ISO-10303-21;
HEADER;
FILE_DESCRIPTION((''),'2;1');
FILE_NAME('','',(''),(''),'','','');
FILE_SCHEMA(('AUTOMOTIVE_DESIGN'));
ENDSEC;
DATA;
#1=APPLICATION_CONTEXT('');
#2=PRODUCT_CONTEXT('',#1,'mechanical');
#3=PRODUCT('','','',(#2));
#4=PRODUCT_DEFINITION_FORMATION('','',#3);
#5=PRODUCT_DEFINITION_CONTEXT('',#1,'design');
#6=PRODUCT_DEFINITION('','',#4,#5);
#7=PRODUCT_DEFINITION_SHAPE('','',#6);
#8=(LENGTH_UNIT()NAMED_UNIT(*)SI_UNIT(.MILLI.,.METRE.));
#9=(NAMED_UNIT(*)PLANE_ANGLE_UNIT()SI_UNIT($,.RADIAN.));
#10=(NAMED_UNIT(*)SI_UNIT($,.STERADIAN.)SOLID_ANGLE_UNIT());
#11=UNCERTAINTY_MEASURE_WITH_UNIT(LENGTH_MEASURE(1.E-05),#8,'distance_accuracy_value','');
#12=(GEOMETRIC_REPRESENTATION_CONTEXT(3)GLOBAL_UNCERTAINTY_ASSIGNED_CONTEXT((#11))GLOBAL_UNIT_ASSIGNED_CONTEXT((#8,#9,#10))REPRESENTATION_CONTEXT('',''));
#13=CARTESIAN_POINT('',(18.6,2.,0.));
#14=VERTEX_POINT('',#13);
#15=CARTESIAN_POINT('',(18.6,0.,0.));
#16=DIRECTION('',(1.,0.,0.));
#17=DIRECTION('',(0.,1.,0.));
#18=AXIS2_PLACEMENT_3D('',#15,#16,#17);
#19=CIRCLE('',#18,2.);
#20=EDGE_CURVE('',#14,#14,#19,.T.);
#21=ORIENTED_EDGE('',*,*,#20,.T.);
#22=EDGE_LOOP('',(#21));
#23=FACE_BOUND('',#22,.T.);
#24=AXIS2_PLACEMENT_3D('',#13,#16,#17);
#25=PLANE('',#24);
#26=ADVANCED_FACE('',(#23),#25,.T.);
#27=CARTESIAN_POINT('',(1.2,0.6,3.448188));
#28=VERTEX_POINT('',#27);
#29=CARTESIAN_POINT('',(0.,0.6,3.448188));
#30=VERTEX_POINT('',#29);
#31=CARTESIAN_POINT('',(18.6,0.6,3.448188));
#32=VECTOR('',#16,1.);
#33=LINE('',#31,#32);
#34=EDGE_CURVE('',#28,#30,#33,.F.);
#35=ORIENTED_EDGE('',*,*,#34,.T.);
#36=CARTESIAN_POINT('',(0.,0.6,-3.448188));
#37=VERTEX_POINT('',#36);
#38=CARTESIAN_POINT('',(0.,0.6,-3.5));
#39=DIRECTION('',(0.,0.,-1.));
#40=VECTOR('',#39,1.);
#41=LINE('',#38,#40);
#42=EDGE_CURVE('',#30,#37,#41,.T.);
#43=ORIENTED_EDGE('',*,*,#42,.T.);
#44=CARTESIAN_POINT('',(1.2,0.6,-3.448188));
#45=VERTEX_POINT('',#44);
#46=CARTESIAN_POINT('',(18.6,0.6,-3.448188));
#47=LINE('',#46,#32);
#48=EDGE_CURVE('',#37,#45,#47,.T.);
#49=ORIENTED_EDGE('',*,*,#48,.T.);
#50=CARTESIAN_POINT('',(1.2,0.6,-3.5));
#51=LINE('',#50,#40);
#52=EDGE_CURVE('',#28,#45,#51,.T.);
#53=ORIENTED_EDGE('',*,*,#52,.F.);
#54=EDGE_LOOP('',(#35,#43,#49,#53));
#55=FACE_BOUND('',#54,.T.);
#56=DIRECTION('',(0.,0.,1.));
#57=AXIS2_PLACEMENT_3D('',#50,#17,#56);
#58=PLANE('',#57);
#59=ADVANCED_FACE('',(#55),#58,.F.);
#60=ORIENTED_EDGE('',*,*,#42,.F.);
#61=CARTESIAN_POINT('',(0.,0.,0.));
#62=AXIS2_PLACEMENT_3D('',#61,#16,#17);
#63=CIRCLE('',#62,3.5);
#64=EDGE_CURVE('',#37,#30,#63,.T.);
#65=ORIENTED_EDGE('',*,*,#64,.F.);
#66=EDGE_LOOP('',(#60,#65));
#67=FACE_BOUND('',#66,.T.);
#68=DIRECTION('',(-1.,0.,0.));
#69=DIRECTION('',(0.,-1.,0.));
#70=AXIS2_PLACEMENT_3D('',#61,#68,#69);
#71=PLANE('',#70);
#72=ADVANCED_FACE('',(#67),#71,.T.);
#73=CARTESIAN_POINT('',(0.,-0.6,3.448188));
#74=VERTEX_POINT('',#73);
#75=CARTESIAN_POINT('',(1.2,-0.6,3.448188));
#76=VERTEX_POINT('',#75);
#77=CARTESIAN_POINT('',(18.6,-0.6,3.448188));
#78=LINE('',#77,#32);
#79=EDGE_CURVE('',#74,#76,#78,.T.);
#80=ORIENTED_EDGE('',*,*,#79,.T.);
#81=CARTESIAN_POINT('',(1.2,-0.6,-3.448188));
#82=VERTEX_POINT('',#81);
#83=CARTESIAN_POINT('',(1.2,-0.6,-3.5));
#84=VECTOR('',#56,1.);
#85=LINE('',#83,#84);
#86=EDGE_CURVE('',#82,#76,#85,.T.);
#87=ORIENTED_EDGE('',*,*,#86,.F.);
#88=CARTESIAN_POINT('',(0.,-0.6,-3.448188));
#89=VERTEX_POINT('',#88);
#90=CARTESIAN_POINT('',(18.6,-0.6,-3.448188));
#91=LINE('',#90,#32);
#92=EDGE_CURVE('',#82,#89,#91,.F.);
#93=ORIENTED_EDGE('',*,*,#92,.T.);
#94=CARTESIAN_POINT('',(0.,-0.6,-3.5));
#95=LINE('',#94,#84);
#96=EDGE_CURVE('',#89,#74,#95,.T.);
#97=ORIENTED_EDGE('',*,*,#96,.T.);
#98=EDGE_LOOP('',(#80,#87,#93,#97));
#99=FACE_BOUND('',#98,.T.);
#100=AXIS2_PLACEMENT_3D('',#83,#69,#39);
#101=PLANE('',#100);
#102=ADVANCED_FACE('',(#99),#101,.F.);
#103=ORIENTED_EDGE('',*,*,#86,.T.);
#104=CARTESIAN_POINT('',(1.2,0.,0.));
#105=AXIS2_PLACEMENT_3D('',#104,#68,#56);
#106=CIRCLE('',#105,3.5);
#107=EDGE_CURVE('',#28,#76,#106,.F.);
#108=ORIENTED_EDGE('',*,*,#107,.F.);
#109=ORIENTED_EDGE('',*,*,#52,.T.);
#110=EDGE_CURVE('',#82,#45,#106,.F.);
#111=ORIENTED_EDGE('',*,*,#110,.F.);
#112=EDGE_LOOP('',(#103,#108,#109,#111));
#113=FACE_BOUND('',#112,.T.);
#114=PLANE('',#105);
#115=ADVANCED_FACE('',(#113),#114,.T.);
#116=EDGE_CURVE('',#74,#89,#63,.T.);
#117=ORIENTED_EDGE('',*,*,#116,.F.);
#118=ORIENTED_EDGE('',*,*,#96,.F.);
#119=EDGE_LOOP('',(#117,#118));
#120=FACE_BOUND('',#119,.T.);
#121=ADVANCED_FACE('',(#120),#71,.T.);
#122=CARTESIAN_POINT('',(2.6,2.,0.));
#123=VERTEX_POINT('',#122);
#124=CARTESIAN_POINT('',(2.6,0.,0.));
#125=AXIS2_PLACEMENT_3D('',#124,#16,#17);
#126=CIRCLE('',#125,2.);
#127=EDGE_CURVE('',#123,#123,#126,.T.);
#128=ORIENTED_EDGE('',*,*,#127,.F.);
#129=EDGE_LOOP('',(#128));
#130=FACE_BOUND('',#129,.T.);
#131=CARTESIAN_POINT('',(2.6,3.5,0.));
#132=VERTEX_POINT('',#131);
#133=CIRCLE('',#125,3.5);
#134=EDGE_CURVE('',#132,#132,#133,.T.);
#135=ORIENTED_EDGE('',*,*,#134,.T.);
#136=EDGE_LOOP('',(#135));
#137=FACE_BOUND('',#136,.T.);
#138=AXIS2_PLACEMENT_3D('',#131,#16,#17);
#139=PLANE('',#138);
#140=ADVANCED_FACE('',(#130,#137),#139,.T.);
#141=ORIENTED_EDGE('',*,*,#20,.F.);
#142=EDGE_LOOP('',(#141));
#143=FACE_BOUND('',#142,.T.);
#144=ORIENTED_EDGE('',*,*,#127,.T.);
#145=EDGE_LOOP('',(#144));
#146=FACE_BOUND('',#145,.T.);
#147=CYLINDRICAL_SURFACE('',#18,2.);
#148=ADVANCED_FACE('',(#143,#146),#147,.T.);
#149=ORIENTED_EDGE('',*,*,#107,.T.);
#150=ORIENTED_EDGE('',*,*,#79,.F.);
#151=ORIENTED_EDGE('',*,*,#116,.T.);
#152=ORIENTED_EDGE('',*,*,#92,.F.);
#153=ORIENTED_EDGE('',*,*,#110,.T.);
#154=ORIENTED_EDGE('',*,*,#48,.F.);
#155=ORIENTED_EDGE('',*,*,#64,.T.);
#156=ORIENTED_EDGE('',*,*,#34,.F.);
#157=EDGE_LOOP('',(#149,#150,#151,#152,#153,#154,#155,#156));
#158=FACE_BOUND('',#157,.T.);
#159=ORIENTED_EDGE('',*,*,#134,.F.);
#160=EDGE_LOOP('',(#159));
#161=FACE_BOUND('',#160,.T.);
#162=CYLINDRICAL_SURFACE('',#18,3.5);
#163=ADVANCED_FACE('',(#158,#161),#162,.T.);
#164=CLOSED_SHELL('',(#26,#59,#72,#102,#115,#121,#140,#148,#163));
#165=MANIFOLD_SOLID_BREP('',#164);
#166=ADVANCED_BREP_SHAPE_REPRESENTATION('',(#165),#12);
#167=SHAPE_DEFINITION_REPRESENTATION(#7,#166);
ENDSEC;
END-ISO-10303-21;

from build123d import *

# Parameters (mm, degrees)
SKETCH2_W          = 7
SKETCH2_H          = 1.2
CUT_EXTRUDE1_DEPTH = 1.2


with BuildPart() as part:
    # Sketch1 → Revolve1 (revolve)
    with BuildSketch(Plane.XY):
        Polygon((0, 0), (0, 3.5), (2.6, 3.5), (2.6, 2), (18.6, 2), (18.6, 0), align=None)
    revolve(axis=Axis((18.6, 0, 0), (-1, 0, 0)))

    # Sketch2 → Cut-Extrude1 (cut)
    with BuildSketch(Plane.ZY):
        Rectangle(SKETCH2_W, SKETCH2_H)
    extrude(amount=-CUT_EXTRUDE1_DEPTH, mode=Mode.SUBTRACT)


solid = part.part
